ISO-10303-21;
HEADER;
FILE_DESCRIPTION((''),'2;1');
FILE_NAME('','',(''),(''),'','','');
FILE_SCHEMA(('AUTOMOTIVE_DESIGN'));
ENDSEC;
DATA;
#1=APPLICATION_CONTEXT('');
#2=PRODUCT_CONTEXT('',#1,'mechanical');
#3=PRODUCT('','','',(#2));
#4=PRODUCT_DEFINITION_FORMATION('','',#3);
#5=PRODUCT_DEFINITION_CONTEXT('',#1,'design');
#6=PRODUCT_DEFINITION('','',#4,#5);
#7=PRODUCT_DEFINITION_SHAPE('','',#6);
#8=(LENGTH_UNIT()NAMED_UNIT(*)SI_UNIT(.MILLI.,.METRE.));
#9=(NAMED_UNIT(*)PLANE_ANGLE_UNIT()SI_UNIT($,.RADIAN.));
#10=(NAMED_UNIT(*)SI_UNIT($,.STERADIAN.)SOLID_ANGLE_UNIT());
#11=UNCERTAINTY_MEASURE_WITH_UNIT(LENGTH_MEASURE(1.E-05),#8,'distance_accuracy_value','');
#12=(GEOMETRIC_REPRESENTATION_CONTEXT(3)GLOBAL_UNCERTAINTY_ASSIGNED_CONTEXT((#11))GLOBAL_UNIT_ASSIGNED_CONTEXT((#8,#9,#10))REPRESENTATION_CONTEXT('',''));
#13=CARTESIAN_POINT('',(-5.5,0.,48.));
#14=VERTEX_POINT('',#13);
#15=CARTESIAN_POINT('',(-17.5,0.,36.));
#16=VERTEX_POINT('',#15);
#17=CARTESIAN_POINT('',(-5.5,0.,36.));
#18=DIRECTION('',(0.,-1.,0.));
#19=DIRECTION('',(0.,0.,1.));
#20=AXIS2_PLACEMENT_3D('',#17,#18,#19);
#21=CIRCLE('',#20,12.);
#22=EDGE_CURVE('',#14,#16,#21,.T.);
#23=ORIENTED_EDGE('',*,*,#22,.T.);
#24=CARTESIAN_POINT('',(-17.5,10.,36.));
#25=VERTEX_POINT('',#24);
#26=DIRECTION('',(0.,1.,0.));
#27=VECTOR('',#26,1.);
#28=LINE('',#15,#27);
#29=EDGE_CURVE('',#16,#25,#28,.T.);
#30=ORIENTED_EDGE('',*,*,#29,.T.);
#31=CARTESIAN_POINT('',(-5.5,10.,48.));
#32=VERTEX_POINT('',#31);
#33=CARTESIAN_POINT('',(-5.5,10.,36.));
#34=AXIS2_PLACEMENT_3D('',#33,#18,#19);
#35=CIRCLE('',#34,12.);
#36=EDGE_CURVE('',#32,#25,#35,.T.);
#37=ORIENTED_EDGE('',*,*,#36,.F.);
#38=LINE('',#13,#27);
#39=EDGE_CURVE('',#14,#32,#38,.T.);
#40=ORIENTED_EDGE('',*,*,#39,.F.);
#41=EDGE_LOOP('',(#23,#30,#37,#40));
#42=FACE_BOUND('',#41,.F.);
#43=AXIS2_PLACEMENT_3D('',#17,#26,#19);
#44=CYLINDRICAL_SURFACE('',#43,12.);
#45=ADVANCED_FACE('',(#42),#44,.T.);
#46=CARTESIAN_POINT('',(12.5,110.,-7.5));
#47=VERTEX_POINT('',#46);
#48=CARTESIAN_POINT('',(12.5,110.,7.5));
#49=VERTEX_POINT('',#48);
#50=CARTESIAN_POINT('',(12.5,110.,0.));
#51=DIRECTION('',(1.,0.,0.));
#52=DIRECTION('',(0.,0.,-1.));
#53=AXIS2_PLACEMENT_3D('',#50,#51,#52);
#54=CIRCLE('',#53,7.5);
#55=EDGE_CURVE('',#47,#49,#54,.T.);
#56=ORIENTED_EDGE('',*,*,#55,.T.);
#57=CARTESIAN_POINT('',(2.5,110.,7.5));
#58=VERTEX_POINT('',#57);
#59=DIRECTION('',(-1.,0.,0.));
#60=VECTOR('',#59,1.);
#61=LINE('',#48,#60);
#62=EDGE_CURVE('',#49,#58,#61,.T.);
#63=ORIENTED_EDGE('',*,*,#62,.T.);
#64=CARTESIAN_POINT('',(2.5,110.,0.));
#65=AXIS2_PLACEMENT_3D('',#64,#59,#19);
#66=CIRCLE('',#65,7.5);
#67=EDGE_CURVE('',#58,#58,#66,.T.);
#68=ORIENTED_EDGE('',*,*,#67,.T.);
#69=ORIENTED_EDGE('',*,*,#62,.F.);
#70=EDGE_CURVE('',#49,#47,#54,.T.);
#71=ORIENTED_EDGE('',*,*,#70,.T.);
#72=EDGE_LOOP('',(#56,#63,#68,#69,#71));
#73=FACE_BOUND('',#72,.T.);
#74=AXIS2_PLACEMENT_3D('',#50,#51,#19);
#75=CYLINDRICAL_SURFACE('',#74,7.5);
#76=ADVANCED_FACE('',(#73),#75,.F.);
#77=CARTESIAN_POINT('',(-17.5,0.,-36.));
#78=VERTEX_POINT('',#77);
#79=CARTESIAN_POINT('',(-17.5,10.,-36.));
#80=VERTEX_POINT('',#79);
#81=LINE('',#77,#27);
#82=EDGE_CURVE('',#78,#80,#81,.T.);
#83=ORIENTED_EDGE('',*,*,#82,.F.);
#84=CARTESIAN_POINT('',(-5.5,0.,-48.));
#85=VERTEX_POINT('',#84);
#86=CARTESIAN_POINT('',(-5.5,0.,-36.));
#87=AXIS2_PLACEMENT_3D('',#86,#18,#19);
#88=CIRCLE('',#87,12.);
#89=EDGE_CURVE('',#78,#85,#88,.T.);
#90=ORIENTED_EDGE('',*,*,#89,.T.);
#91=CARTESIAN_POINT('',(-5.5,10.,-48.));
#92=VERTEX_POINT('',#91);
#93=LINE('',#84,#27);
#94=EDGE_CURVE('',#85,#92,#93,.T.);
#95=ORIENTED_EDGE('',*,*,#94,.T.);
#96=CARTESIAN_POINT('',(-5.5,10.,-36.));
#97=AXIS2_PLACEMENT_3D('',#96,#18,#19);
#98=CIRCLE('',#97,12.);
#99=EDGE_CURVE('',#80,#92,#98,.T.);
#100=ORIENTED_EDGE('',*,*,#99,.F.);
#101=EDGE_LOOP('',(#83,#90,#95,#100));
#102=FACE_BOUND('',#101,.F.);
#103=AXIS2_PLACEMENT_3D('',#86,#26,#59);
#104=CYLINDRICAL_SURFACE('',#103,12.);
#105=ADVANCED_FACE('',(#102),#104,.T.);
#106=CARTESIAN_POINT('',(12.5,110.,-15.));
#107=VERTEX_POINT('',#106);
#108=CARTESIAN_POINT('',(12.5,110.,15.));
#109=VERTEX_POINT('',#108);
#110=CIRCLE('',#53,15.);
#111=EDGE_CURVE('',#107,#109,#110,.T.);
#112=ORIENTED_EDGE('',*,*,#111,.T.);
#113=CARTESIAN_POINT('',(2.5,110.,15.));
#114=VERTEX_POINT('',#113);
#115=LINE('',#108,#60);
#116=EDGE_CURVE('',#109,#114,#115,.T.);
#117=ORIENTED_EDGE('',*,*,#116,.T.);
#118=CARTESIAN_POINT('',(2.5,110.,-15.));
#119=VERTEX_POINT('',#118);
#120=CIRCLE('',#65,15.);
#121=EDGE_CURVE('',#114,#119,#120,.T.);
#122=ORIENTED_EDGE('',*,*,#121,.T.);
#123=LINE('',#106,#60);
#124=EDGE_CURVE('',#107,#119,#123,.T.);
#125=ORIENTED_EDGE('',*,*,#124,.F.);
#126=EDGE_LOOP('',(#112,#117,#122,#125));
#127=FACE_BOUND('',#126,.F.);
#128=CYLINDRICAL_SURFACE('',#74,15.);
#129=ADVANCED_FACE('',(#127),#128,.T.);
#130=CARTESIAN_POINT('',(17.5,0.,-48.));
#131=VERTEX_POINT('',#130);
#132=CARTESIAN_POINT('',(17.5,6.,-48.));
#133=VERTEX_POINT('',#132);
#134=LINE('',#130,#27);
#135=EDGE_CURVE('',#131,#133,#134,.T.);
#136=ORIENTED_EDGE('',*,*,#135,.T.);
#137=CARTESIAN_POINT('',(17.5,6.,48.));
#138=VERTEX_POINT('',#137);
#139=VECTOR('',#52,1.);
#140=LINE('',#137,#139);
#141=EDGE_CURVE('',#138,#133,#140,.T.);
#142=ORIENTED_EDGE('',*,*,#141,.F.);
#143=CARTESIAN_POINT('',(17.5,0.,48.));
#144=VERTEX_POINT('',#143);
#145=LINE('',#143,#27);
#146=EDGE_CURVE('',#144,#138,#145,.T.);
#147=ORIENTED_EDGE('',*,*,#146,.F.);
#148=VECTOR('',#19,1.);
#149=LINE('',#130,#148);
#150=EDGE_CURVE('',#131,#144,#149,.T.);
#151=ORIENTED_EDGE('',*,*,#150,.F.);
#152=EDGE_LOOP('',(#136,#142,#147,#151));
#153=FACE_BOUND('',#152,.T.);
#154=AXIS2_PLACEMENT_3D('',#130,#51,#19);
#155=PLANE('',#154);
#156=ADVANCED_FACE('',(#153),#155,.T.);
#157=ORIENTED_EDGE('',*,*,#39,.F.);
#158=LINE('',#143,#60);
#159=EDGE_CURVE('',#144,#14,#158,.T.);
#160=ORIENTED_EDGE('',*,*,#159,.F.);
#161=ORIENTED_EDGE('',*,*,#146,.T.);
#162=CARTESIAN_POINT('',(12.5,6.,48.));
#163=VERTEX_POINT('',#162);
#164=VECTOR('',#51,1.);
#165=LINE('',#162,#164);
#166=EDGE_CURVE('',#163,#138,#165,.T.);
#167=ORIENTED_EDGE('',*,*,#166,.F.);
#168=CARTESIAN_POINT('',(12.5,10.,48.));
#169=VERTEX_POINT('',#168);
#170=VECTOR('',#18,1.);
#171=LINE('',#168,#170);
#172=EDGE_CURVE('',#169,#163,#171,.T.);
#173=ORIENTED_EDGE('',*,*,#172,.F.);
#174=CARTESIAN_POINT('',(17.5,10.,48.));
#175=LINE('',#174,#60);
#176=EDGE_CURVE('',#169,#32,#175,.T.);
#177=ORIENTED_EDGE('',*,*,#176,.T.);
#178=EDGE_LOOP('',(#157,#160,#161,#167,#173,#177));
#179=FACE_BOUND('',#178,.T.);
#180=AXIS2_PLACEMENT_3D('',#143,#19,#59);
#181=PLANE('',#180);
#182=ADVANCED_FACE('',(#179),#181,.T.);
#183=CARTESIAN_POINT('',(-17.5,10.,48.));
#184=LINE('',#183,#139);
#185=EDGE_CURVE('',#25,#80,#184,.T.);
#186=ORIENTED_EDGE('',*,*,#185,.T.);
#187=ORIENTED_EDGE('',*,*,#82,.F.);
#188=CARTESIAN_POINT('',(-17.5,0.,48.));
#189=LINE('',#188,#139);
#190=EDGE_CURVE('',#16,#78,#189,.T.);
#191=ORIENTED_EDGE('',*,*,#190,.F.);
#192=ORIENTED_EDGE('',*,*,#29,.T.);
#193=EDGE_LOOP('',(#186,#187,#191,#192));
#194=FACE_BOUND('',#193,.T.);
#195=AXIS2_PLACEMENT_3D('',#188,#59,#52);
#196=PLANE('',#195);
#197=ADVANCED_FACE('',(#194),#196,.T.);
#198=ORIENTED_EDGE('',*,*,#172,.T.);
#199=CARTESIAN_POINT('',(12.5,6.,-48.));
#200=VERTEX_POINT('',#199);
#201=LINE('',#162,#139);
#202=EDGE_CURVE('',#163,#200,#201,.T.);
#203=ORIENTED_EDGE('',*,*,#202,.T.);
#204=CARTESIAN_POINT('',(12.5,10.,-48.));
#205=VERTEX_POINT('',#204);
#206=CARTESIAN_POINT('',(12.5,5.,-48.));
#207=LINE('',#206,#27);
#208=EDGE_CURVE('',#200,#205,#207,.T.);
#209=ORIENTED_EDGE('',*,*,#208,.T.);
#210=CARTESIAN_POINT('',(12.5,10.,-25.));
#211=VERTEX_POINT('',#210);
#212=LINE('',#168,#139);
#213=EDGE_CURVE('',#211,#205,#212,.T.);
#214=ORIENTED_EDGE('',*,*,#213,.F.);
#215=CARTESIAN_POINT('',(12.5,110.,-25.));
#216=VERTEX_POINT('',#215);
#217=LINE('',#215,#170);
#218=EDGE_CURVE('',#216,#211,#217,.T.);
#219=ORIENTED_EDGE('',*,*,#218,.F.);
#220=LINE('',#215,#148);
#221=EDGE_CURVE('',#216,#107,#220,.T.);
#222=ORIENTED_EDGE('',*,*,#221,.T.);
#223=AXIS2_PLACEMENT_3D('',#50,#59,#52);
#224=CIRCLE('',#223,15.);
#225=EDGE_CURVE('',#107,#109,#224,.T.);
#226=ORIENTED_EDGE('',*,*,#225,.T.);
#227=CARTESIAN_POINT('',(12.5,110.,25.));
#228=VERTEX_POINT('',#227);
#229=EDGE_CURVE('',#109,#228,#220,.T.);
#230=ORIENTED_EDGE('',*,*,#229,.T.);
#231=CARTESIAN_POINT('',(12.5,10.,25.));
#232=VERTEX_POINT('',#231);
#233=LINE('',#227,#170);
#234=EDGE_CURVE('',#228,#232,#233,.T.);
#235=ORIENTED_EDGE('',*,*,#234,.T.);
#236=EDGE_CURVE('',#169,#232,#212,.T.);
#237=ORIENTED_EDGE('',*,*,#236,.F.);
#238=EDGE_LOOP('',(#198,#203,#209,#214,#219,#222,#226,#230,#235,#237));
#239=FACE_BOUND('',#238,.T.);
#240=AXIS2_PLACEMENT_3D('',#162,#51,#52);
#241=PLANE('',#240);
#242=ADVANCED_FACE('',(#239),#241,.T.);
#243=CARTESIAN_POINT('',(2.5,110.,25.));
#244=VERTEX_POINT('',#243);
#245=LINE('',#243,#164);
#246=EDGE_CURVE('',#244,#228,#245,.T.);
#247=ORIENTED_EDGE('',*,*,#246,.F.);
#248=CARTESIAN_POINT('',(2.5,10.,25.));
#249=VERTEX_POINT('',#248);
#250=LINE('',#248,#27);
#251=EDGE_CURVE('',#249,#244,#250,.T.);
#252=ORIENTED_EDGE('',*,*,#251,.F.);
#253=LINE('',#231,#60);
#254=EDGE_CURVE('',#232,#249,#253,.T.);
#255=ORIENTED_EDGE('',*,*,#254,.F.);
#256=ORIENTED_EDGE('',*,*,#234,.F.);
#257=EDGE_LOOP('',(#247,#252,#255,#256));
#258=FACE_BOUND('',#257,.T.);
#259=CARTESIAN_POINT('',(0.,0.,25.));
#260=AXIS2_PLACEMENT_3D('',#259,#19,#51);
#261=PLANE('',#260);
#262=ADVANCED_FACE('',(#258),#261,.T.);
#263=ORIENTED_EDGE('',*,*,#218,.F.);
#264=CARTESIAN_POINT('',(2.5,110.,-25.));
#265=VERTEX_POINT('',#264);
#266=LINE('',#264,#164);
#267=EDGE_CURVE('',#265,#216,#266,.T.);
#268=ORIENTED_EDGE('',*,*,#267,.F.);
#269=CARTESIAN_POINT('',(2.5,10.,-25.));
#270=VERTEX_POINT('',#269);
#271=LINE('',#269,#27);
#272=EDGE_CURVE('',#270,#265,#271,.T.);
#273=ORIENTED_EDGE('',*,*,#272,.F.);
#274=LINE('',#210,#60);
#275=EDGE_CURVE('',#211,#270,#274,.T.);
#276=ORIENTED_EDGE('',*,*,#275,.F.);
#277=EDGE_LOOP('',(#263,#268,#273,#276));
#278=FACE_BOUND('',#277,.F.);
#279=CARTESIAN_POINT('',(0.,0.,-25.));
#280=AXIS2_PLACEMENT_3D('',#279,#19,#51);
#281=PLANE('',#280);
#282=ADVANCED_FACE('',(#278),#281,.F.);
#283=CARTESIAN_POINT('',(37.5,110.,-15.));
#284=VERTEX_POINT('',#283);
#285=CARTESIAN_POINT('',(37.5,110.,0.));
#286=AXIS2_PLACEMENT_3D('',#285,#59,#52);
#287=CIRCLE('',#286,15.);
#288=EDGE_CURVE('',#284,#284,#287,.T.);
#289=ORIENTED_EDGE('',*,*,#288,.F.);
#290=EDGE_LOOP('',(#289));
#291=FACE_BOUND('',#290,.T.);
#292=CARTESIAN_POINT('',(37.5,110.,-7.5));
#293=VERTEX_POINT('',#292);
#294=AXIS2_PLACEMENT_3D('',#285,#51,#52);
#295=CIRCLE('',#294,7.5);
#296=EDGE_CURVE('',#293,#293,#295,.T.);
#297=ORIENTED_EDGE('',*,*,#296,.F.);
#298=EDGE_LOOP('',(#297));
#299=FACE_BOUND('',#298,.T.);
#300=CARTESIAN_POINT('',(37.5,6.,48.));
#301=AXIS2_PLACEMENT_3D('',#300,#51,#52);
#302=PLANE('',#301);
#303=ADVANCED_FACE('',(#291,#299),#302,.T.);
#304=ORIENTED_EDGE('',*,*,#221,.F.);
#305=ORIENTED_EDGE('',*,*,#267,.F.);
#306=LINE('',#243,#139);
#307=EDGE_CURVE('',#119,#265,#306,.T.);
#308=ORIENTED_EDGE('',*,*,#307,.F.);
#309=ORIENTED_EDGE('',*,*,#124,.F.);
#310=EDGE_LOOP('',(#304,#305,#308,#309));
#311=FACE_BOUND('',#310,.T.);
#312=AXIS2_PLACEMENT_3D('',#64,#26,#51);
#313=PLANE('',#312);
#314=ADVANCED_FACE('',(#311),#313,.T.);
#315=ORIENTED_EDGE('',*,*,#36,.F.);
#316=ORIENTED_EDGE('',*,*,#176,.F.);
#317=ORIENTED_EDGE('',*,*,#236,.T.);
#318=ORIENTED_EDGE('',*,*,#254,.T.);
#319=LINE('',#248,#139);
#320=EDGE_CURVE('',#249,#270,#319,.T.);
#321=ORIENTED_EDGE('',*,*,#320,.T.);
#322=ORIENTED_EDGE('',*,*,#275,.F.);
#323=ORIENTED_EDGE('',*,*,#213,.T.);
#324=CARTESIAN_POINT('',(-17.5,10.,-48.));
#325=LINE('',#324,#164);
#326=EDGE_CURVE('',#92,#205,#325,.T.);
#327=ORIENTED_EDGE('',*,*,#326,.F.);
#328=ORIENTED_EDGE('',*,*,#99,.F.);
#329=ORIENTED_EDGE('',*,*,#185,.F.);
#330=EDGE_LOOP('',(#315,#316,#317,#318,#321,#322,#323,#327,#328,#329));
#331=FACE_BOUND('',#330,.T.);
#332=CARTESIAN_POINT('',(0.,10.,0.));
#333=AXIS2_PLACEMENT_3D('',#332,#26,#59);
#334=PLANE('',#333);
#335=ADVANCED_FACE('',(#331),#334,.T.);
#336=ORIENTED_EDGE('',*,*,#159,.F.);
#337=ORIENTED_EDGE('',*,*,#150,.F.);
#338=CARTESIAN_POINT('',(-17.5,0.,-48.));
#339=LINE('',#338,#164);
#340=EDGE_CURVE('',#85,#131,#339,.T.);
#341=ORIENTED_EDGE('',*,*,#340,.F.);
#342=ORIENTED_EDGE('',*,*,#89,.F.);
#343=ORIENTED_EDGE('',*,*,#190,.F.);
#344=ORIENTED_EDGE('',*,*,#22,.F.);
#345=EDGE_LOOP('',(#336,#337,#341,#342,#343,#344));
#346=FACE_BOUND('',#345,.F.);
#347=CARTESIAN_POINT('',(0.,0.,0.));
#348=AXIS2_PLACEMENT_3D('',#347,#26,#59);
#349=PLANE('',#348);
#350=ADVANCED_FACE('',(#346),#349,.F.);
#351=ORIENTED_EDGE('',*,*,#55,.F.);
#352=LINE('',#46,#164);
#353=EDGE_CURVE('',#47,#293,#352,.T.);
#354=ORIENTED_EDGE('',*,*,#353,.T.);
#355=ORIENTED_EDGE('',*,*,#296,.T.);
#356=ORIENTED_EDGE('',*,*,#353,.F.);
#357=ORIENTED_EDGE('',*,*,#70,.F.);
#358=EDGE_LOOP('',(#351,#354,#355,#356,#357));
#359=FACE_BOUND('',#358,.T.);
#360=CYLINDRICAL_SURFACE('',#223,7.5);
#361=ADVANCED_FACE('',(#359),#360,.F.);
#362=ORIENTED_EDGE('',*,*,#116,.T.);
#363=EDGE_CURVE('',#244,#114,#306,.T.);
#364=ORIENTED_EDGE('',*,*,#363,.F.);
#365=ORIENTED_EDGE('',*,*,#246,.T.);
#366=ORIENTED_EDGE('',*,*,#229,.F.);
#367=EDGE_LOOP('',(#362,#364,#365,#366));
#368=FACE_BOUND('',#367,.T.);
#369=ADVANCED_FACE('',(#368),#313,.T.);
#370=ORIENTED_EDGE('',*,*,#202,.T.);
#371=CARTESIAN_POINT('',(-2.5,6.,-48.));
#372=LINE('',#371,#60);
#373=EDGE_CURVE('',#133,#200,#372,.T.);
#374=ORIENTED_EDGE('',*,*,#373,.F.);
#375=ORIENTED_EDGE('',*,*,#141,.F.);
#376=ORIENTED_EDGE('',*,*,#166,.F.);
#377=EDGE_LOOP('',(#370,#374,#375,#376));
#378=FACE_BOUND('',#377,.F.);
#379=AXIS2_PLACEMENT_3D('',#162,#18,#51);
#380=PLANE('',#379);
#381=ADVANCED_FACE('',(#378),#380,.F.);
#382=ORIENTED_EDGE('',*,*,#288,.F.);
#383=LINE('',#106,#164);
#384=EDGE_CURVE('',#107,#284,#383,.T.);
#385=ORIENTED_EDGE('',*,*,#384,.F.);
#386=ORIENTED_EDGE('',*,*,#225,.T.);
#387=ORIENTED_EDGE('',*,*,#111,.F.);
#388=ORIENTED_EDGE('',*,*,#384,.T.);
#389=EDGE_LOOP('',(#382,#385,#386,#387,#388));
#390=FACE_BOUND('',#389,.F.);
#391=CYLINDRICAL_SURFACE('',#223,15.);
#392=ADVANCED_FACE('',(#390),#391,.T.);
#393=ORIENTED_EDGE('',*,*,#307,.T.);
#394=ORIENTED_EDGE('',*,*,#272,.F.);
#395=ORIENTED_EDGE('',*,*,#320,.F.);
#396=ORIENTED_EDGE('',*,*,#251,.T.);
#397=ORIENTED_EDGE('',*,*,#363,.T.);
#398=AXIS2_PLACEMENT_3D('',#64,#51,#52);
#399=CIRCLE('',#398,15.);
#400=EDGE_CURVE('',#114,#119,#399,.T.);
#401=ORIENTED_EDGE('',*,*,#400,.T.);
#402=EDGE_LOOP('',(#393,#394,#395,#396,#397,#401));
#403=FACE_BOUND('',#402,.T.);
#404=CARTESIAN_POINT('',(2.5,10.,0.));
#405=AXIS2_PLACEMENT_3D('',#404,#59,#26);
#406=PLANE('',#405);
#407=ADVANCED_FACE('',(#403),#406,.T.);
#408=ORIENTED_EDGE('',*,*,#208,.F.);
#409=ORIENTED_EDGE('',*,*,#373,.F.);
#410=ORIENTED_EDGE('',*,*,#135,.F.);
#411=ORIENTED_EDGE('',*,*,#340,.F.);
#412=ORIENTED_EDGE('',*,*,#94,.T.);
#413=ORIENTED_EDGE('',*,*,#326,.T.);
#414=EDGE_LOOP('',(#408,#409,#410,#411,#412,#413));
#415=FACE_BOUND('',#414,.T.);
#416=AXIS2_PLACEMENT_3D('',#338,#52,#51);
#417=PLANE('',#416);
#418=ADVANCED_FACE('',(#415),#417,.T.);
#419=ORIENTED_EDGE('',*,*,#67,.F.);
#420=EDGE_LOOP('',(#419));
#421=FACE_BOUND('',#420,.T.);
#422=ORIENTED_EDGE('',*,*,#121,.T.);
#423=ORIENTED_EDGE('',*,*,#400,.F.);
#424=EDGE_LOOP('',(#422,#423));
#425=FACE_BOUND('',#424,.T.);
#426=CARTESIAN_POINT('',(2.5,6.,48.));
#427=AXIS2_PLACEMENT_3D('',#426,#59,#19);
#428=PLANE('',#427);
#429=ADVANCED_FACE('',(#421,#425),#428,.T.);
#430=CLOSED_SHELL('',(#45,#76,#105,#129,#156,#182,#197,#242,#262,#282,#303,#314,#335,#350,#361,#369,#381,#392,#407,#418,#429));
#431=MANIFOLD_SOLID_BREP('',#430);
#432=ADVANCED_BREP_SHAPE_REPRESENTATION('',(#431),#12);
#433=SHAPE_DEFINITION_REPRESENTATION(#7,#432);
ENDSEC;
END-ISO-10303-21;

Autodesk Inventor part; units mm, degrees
ref_plane "YZ Plane" through (0, 0, 0) normal (1, 0, 0) x (0, 1, 0)
ref_plane "XZ Plane" through (0, 0, 0) normal (0, 1, 0) x (-1, 0, 0)
ref_plane "XY Plane" through (0, 0, 0) normal (0, 0, 1) x (1, 0, 0)
sketch "Sketch1" plane through (0, 0, 0) normal (0, 1, 0) x (-1, 0, 0)
  line L0 (-17.5, 48) -> (17.5, 48)
  line L1 (17.5, 48) -> (17.5, -48)
  line L2 (17.5, -48) -> (-17.5, -48)
  line L3 (-17.5, -48) -> (-17.5, 48)
  line L4 (-17.5, 48) -> (17.5, -48) construction
  line L5 (17.5, 48) -> (-17.5, -48) construction
  point P0 (0, 0)
  dimension "d0" = 96
  dimension "d1" = 35
extrude "Extrusion1" add sketch "Sketch1" along normal blind 10
fillet "Fillet1" radius 12 2 edges at (-17.5, 5, 48) (-17.5, 5, -48)
sketch "Sketch2" plane through (17.5, 0, 48) normal (0, 0, 1) x (1, 0, 0)
  line L0 (0, 10) -> (-23, 10) projected
  line L1 (0, 10) -> (-5, 10)
  line L2 (-5, 10) -> (-5, 6)
  line L3 (-5, 6) -> (0, 6)
  line L4 (0, 6) -> (0, 10)
  line L5 (-23, 0) -> (0, 0) projected
  point P0 (-17.5, 0)
  dimension "d5" = 6
  dimension "d6" = 5
extrude "Extrusion2" cut sketch "Sketch2" against normal through all
sketch "Sketch3" plane through (0, 0, 0) normal (0, 0, 1) x (1, 0, 0)
  line L0 (12.5, 10) -> (2.5, 10)
  line L1 (2.5, 10) -> (2.5, 110)
  line L2 (2.5, 110) -> (12.5, 110)
  line L3 (12.5, 110) -> (12.5, 10)
  point P0 (0, 0)
  dimension "d9" = 10
  dimension "d10" = 100
extrude "Extrusion3" add sketch "Sketch3" along normal mid plane 50
sketch "Sketch4" plane through (12.5, 6, 48) normal (1, 0, 0) x (0, 0, -1)
  line L0 (23, 104) -> (73, 104) projected
  circle A0 centre (48, 104) radius 15
  point P0 (48, -6)
  point P1 (63, 104)
  point P2 (33, 104)
  dimension "d13" = 30
sketch "Sketch5" plane through (12.5, 6, 48) normal (1, 0, 0) x (0, 0, -1)
  point P0 (48, -6)
extrude "Extrusion4" add sketch "Sketch4" against normal blind 50 contours A0 L0 picked at (49.773, 108.6751)
sketch "Sketch6" plane through (12.5, 6, 48) normal (1, 0, 0) x (0, 0, -1)
  line L0 (63, 104) -> (33, 104) projected
  circle A0 centre (48, 104) radius 15
  point P0 (48, -6)
  dimension "d16" = 30
extrude "Extrusion5" cut sketch "Sketch6" against normal blind 50
sketch "Sketch7" plane through (12.5, 6, 48) normal (1, 0, 0) x (0, 0, -1)
  arc A0 (33, 104) -> (63, 104) centre (48, 104) ccw projected
  circle A1 centre (48, 104) radius 15
  circle A2 centre (48, 104) radius 7.5
  point P0 (48, -6)
  dimension "d19" = 30
  dimension "d20" = 15
extrude "Extrusion6" add sketch "Sketch7" along normal blind 25
sketch "Sketch8" plane through (12.5, 6, 48) normal (-1, 0, 0) x (0, 0, 1)
  circle A0 centre (-48, 104) radius 7.5 projected
  circle A1 centre (-48, 104) radius 15
  circle A2 centre (-48, 104) radius 7.5
  point P0 (-48, -6)
  dimension "d23" = 15
extrude "Extrusion7" add sketch "Sketch8" along normal blind 10
properties part number "gh"
